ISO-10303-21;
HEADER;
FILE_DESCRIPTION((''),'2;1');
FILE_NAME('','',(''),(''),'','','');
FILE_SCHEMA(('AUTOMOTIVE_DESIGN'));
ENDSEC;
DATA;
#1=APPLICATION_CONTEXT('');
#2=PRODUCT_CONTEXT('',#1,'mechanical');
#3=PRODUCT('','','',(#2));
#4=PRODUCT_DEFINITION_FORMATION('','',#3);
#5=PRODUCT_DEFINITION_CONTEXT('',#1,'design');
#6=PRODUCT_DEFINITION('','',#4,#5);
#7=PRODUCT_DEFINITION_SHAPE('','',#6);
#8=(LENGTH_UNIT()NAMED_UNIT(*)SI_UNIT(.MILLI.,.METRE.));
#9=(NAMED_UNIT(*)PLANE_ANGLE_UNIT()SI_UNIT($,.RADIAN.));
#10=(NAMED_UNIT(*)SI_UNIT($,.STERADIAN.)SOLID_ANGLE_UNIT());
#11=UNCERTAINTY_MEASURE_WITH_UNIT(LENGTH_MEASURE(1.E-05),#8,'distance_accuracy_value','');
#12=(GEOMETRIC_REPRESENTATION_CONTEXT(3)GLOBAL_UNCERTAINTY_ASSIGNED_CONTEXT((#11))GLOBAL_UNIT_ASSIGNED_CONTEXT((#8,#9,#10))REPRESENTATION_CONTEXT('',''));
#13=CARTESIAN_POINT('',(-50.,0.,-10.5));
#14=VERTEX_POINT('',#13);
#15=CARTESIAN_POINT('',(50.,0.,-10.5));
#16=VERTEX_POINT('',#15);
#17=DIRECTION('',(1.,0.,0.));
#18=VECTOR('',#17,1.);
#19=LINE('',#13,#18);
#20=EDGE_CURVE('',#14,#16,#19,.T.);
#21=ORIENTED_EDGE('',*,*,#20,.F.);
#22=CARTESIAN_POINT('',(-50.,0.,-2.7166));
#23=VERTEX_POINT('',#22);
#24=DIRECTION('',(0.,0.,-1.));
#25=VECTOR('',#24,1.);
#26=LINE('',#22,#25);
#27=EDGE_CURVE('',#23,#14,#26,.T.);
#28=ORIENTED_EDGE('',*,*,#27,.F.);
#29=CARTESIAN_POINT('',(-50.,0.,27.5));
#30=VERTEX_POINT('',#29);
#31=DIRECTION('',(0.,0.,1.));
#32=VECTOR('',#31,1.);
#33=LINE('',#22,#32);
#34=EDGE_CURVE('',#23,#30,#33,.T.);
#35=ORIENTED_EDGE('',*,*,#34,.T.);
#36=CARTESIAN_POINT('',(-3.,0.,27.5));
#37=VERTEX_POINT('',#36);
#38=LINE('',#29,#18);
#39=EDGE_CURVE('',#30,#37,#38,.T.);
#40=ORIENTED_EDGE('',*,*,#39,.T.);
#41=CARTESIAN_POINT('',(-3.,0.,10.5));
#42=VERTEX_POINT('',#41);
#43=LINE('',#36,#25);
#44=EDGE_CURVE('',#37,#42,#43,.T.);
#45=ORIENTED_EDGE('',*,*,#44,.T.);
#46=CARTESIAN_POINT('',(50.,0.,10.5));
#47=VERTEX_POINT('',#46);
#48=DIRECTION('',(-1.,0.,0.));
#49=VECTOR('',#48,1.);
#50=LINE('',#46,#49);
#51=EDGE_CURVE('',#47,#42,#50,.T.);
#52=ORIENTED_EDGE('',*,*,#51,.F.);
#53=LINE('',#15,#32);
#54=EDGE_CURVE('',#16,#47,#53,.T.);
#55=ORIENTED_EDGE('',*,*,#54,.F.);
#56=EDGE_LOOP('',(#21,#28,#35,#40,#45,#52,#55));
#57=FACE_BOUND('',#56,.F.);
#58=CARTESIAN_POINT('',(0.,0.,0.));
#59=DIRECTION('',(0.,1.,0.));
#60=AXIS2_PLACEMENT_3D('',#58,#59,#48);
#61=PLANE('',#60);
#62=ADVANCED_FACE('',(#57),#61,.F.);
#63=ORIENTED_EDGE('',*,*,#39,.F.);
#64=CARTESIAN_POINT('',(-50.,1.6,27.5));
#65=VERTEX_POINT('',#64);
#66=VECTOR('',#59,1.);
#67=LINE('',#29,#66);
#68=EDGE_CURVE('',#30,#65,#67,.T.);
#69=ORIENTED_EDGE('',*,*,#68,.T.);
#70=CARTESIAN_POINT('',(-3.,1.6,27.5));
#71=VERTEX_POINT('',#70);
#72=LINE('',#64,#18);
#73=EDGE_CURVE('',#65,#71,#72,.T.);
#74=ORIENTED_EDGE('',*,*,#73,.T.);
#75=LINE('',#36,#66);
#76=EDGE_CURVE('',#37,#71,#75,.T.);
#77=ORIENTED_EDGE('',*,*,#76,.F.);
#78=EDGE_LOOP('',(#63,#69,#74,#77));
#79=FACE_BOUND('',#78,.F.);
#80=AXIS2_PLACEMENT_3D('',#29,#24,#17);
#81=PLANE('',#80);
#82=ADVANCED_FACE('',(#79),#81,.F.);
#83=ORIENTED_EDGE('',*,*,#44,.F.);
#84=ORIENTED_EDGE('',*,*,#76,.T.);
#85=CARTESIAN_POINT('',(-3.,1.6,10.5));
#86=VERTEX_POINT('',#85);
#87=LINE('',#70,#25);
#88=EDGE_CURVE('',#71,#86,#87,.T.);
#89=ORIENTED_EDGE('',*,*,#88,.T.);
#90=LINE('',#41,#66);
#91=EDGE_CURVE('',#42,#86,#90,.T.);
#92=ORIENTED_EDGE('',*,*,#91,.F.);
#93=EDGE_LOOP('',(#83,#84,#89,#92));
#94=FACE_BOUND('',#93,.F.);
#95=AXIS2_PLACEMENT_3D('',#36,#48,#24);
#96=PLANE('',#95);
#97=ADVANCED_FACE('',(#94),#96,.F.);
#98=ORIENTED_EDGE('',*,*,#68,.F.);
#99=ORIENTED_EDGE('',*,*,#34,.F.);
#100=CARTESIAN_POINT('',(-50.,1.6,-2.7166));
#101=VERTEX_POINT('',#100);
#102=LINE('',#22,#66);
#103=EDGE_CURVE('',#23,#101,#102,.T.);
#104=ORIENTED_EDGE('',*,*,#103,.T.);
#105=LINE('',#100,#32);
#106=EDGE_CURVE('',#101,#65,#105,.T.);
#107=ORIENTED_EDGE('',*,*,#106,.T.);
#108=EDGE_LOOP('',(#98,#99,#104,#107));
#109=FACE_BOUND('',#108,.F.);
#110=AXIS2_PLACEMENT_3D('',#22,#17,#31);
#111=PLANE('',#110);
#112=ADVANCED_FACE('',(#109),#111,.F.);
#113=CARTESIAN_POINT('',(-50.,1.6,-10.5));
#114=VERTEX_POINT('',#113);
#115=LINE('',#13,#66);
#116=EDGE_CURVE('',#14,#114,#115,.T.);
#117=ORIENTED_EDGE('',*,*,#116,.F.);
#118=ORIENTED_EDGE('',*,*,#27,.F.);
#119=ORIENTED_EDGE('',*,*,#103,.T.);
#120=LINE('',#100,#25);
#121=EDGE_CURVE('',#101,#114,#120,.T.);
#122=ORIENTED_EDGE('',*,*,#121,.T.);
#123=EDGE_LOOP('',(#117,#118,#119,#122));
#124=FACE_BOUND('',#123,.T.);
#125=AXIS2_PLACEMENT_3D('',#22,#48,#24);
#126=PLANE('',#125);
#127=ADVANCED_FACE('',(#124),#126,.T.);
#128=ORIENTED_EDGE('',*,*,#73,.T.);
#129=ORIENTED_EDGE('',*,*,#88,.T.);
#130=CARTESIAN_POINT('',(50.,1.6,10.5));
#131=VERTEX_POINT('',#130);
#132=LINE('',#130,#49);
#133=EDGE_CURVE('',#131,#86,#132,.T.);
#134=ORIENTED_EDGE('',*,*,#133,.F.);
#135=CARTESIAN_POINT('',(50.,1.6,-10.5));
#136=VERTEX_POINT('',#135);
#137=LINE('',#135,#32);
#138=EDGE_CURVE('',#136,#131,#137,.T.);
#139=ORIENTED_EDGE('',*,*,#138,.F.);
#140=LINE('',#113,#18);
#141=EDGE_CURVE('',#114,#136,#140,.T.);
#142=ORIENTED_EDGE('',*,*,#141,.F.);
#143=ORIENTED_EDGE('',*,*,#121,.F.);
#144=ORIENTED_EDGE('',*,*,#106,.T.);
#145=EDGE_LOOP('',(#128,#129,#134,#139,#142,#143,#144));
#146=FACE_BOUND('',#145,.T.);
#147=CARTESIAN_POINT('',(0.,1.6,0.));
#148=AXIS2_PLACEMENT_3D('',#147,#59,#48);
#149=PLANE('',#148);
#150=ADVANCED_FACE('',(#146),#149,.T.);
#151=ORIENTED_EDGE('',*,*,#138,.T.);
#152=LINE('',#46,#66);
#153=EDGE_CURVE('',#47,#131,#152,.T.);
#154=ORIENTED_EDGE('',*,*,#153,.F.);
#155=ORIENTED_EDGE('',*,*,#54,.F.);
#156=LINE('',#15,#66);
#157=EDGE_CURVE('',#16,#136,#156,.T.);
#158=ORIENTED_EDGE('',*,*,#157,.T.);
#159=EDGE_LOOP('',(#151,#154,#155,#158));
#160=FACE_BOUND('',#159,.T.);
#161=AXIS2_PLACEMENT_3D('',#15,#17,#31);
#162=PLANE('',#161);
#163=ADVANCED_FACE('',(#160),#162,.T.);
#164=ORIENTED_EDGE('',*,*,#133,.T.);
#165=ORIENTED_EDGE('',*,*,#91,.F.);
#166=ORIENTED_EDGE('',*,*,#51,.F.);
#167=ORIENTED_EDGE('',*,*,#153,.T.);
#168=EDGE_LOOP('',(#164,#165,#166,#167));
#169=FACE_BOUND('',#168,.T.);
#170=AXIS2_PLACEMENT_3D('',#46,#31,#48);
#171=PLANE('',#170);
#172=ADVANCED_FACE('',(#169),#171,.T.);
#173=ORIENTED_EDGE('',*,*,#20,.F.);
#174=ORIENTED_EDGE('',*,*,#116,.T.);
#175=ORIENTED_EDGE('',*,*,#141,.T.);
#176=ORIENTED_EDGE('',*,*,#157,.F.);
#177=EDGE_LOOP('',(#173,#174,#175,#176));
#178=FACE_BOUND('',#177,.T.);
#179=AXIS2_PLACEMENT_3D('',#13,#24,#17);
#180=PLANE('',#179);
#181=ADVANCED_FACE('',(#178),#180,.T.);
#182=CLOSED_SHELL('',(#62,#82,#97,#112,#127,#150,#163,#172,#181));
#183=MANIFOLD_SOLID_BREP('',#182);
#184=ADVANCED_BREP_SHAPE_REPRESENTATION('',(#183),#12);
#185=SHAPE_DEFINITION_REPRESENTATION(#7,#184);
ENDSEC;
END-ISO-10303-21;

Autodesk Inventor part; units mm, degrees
ref_plane "YZ Plane" through (0, 0, 0) normal (1, 0, 0) x (0, 1, 0)
ref_plane "XZ Plane" through (0, 0, 0) normal (0, 1, 0) x (-1, 0, 0)
ref_plane "XY Plane" through (0, 0, 0) normal (0, 0, 1) x (1, 0, 0)
sketch "Sketch1" plane through (0, 0, 0) normal (0, 1, 0) x (-1, 0, 0)
  line L0 (-50, 10.5) -> (3, 10.5)
  line L1 (50, -2.7166) -> (50, -10.5)
  line L2 (50, -10.5) -> (-50, -10.5)
  line L3 (-50, -10.5) -> (-50, 10.5)
  line L4 (50, -2.7166) -> (50, 27.5)
  line L5 (50, 27.5) -> (3, 27.5)
  line L6 (3, 27.5) -> (3, 10.5)
  point P0 (0, 0)
  dimension "d0" = 47
  dimension "d1" = 17
  dimension "d2" = 100
  dimension "d3" = 21
  dimension "d4" = 10.5
  dimension "d5" = 50
extrude "Extrusion1" add sketch "Sketch1" along normal blind 1.6
equation "\"d4\" = 0.5 * d3"
equation "\"d5\" = 0.5 * d2"
properties part number "pcb"
